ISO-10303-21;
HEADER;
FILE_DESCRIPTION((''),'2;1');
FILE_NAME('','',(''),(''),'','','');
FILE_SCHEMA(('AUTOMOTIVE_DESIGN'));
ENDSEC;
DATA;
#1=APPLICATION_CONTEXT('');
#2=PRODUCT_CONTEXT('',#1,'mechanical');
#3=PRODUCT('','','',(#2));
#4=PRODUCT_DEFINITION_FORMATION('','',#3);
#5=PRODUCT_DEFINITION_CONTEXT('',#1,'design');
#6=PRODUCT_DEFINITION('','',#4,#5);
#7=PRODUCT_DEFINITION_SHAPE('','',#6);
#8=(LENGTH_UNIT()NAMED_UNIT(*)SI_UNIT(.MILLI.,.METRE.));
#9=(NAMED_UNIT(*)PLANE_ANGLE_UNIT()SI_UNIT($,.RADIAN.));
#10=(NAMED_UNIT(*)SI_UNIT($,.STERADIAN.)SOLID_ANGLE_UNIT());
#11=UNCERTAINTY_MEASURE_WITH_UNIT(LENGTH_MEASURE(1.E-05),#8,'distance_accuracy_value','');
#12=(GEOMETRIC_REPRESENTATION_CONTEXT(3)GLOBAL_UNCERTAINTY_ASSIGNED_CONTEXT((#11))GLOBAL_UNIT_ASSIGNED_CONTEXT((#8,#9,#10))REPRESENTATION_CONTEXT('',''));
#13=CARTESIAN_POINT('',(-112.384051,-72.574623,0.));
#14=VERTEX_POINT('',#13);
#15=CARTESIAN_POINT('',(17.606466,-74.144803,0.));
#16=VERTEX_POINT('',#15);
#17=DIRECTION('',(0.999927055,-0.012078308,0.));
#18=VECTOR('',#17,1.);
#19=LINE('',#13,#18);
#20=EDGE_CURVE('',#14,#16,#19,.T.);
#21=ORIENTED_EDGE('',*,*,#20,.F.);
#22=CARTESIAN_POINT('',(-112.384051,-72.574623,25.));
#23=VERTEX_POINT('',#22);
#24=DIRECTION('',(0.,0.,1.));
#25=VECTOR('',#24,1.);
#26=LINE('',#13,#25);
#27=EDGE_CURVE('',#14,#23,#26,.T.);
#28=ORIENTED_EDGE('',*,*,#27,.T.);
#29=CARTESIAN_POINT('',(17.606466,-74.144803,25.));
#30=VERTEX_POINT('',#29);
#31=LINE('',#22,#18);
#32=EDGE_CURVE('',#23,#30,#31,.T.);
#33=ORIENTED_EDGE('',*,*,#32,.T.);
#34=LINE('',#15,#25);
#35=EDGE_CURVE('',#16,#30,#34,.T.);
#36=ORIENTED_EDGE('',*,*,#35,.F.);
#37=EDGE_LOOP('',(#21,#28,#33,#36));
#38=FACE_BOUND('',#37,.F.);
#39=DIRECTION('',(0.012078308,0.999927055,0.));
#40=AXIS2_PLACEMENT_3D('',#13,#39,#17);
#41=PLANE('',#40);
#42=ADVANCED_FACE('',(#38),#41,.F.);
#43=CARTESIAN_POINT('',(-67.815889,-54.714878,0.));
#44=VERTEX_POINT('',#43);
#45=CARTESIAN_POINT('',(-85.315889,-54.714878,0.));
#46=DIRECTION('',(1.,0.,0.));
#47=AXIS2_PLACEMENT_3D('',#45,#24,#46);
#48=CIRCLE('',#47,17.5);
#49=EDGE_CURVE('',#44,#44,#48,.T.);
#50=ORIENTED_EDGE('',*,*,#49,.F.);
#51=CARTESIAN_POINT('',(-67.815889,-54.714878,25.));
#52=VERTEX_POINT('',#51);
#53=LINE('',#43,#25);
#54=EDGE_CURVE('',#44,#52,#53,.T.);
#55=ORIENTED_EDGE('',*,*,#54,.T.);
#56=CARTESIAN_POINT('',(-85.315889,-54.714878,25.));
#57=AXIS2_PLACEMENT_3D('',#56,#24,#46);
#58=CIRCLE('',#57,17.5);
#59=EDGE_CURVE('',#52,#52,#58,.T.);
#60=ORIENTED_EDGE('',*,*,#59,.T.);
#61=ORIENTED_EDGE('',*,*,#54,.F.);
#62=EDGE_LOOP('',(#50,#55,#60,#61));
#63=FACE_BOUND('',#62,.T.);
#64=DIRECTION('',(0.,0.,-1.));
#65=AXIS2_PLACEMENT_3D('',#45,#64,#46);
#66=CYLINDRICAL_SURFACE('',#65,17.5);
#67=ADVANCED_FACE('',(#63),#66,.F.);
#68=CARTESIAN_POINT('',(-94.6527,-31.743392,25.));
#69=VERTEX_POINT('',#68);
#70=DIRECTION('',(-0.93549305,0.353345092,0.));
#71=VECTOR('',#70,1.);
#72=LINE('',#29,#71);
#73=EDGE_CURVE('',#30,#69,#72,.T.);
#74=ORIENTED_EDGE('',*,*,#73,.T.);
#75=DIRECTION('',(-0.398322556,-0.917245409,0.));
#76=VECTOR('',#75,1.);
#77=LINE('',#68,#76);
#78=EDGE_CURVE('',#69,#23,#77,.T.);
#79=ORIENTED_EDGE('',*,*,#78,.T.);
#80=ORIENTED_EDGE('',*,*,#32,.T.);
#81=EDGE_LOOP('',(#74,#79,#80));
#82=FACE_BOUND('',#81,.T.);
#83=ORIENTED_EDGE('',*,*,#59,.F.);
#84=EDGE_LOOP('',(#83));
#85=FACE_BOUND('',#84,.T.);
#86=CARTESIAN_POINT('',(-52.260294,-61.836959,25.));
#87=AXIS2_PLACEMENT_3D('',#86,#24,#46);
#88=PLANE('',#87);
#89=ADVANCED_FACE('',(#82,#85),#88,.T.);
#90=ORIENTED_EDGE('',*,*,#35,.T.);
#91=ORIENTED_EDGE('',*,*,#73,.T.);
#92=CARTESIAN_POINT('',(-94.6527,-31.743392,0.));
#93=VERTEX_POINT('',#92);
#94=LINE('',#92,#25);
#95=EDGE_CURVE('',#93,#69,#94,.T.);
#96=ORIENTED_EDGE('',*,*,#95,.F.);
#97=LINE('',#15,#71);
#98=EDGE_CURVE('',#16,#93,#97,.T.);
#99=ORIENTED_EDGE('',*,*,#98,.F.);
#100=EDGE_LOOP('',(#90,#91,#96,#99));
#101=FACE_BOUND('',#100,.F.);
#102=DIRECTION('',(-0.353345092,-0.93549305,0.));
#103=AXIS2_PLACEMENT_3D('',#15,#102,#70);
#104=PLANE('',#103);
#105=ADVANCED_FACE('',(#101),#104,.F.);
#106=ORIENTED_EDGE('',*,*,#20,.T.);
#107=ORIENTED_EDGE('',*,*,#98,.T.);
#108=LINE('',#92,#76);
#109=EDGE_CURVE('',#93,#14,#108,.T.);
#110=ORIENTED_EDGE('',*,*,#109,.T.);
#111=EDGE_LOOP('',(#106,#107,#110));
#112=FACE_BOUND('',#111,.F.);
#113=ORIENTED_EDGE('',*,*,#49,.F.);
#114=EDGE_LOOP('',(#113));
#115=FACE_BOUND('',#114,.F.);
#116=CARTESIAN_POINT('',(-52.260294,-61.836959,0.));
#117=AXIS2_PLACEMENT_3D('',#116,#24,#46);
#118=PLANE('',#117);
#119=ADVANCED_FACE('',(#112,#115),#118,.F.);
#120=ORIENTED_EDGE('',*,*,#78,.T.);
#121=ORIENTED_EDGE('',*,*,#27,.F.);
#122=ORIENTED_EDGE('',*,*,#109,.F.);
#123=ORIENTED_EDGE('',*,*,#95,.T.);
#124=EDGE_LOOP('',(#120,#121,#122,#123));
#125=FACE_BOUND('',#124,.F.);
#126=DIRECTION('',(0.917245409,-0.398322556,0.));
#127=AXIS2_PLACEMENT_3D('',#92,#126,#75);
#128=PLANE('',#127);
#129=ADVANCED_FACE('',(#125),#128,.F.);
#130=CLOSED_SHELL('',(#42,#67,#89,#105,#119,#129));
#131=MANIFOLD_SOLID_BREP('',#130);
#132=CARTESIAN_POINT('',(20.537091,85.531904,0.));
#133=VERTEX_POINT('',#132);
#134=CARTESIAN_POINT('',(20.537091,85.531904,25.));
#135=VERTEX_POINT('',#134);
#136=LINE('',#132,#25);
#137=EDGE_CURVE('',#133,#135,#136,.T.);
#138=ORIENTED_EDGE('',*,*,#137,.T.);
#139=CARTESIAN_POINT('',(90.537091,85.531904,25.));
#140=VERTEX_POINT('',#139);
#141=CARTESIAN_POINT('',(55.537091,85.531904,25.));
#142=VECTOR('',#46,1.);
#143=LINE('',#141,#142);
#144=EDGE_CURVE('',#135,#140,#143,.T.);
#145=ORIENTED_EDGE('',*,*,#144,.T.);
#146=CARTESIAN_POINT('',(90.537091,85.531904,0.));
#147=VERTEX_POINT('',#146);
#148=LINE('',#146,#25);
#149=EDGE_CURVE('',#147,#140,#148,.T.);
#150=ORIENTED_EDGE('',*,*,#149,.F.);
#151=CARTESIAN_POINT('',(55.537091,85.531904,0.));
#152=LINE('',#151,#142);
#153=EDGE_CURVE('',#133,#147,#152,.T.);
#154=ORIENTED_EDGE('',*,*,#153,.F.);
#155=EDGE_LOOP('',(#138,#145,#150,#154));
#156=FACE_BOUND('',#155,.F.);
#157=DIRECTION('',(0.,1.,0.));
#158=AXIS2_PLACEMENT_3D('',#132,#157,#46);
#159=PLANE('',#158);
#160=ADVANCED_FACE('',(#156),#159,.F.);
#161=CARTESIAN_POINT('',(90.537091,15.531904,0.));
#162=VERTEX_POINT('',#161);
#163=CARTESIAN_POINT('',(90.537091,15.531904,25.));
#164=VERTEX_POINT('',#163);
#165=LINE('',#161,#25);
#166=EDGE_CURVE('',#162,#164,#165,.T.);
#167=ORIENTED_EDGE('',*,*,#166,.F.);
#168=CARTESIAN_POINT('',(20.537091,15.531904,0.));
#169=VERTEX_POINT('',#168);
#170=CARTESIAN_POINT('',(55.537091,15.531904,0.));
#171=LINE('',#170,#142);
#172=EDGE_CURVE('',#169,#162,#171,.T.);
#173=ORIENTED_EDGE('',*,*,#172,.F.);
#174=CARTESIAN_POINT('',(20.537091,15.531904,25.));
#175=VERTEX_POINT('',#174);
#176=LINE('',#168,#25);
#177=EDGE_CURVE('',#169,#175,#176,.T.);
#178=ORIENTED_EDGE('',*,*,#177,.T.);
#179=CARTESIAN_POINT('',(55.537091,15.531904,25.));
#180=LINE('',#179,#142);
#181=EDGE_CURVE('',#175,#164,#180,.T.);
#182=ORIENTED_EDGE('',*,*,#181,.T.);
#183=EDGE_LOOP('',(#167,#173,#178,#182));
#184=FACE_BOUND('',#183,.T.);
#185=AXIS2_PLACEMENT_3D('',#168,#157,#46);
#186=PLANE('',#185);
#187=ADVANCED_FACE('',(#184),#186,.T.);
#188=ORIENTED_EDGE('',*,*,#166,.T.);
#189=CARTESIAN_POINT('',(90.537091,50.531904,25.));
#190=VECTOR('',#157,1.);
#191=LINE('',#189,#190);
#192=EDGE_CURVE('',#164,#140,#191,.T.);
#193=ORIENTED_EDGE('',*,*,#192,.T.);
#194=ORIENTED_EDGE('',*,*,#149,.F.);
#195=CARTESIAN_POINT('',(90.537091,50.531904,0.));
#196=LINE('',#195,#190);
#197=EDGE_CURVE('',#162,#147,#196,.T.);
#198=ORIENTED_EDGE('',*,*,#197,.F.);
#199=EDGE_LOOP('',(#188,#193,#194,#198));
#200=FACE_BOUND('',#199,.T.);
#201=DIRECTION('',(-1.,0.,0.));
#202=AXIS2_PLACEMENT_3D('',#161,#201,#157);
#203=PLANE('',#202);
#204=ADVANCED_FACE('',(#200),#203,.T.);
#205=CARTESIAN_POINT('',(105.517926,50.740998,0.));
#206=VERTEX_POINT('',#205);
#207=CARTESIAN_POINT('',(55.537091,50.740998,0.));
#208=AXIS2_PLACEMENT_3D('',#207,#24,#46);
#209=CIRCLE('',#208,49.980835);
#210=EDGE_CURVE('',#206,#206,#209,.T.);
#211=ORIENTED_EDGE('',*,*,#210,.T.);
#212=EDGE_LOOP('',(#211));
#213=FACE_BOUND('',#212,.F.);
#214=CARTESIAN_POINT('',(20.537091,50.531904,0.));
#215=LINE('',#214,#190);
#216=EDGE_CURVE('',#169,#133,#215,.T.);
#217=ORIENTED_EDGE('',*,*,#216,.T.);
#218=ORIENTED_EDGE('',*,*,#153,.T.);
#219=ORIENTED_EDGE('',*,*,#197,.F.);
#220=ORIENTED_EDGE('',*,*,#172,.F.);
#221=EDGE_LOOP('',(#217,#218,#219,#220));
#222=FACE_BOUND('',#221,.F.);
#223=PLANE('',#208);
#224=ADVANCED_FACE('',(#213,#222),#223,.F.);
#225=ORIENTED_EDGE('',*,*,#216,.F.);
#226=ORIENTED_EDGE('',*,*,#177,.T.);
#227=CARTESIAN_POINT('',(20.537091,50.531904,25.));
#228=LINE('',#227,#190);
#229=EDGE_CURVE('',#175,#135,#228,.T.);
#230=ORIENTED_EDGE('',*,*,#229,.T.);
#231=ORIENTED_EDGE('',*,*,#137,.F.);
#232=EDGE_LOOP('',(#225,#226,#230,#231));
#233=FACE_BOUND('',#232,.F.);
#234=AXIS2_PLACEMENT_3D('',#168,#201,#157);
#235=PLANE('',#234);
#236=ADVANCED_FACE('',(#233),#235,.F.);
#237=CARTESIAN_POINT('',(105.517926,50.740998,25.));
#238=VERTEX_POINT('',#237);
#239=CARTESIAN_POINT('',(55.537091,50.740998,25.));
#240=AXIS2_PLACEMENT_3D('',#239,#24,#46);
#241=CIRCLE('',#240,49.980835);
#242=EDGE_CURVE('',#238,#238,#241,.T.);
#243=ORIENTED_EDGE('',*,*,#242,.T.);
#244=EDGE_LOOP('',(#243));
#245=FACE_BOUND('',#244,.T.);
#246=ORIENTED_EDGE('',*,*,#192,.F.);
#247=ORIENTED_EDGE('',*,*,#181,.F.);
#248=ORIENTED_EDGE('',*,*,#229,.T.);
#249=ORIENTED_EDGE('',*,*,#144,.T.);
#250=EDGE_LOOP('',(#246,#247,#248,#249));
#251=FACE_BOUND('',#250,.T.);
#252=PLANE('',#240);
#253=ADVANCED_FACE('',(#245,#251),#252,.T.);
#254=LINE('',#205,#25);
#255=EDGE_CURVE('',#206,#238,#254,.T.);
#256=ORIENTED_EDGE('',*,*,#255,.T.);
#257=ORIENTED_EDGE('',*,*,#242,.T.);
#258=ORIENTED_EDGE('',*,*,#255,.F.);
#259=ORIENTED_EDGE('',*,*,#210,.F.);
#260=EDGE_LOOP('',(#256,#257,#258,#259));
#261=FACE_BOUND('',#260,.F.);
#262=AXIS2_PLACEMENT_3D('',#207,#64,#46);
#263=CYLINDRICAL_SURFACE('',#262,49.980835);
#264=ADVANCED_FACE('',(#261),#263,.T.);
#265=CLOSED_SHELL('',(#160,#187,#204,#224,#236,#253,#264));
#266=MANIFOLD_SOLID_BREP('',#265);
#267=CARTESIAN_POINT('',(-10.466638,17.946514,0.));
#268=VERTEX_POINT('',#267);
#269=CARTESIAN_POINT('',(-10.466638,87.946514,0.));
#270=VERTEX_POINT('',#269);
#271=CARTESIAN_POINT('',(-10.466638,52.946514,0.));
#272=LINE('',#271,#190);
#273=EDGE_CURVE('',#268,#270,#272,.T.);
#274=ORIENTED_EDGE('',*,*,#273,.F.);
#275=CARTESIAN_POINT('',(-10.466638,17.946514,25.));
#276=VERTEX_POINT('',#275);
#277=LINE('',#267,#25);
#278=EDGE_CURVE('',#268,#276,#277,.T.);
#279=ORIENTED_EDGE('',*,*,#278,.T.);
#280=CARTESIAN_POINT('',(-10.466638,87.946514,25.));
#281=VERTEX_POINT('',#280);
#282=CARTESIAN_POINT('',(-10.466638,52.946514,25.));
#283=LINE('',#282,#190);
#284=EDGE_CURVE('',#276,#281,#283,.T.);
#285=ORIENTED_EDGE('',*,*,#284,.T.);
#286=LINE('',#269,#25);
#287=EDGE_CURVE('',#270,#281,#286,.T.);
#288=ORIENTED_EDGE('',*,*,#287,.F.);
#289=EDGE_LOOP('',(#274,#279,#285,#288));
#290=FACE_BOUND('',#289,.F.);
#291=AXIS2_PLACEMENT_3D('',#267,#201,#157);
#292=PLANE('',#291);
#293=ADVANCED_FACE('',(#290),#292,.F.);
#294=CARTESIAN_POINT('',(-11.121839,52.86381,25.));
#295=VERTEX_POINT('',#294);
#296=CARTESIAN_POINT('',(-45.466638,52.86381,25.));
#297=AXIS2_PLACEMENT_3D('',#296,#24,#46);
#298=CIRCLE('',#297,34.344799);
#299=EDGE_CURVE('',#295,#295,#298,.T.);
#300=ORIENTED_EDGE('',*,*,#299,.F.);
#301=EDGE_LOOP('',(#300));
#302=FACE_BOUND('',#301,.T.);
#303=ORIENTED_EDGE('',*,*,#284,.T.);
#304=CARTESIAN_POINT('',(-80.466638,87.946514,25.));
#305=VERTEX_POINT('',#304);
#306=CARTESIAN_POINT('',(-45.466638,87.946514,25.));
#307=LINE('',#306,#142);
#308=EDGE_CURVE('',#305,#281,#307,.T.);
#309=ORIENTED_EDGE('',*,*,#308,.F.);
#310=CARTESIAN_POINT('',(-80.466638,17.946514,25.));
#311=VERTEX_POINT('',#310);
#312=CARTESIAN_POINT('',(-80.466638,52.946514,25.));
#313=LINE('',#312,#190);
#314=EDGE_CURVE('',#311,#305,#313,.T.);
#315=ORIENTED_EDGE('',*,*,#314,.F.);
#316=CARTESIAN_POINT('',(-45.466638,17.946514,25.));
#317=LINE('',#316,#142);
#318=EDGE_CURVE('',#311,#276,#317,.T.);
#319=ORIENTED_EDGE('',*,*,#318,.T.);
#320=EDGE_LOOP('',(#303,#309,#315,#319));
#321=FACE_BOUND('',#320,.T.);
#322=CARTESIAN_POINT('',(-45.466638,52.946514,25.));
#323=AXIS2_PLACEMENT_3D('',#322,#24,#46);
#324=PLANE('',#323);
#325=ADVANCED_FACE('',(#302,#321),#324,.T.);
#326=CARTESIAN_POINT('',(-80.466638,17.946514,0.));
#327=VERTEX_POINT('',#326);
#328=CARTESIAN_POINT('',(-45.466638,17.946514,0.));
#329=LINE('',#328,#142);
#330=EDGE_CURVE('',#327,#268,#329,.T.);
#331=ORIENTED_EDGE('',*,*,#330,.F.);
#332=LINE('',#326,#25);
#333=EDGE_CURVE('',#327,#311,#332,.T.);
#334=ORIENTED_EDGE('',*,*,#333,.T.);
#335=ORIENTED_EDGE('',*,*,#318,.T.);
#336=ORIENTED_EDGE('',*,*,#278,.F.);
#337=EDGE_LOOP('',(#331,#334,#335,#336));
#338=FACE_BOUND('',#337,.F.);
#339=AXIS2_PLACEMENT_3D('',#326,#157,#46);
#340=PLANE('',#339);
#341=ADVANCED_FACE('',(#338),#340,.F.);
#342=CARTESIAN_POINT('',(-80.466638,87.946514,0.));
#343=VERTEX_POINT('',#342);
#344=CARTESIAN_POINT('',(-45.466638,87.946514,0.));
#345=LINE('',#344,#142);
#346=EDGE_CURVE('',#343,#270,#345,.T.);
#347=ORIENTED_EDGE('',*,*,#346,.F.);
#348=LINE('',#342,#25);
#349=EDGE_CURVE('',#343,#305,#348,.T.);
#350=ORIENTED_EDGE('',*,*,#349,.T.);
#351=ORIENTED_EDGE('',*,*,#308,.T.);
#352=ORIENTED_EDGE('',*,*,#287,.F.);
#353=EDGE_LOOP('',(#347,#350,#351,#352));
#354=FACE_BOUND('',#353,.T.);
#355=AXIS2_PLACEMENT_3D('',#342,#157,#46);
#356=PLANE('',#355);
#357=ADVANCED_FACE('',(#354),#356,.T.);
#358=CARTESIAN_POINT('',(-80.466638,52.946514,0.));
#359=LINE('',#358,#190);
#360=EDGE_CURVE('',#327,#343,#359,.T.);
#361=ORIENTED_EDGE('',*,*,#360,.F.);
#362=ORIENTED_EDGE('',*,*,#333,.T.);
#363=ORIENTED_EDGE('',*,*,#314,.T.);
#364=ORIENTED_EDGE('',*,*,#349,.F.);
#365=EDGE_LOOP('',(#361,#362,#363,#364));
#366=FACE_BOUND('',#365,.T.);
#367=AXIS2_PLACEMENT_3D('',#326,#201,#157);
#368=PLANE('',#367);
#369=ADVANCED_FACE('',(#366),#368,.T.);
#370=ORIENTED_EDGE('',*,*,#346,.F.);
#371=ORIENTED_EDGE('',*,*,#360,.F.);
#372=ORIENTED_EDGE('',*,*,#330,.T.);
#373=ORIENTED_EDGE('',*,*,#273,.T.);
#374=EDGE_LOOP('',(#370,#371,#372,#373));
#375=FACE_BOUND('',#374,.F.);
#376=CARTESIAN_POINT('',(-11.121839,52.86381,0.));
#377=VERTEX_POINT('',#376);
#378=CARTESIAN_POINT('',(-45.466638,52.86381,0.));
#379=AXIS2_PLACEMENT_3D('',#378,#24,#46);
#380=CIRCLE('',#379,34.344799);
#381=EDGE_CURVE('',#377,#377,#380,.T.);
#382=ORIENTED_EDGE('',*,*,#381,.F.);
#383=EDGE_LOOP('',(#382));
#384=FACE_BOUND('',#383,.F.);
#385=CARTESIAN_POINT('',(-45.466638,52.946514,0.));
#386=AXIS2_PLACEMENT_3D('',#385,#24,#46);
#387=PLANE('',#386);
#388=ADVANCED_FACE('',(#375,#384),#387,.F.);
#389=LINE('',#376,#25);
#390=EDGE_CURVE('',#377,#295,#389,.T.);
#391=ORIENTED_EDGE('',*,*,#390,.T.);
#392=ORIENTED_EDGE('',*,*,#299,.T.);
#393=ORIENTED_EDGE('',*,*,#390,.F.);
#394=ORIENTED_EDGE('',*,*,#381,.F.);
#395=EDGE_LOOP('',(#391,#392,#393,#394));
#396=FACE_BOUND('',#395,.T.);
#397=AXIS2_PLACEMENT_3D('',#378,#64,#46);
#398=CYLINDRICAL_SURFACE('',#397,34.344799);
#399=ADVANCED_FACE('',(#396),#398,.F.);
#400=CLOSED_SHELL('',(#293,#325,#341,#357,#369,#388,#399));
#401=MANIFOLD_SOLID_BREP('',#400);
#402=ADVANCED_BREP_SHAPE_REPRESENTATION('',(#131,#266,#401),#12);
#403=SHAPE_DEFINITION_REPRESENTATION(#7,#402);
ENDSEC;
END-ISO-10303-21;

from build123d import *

# Parameters (mm, degrees)
F0_R     = 17.5
F0_R_2   = 49.980835
F0_W     = 70
F0_H     = 70
F0_R_3   = 34.344799
F1_DEPTH = 25


with BuildPart() as f1:
    # F0 (on Top) → F1 (new body)
    with BuildSketch(Plane.XY):
        Polygon((-112.384051, -72.574623), (17.606466, -74.144803), (-94.6527, -31.743392), align=None)
        with Locations((-85.315889, -54.714878)):
            Circle(F0_R, mode=Mode.SUBTRACT)
        with Locations((55.537091, 50.740998)):
            Circle(F0_R_2)
        with Locations((55.537091, 50.531904)):
            Rectangle(F0_W, F0_H, mode=Mode.SUBTRACT)
        with Locations((-45.466638, 52.946514)):
            Rectangle(F0_W, F0_H)
        with Locations((-45.466638, 52.86381)):
            Circle(F0_R_3, mode=Mode.SUBTRACT)
    extrude(amount=F1_DEPTH)


solid = f1.part
